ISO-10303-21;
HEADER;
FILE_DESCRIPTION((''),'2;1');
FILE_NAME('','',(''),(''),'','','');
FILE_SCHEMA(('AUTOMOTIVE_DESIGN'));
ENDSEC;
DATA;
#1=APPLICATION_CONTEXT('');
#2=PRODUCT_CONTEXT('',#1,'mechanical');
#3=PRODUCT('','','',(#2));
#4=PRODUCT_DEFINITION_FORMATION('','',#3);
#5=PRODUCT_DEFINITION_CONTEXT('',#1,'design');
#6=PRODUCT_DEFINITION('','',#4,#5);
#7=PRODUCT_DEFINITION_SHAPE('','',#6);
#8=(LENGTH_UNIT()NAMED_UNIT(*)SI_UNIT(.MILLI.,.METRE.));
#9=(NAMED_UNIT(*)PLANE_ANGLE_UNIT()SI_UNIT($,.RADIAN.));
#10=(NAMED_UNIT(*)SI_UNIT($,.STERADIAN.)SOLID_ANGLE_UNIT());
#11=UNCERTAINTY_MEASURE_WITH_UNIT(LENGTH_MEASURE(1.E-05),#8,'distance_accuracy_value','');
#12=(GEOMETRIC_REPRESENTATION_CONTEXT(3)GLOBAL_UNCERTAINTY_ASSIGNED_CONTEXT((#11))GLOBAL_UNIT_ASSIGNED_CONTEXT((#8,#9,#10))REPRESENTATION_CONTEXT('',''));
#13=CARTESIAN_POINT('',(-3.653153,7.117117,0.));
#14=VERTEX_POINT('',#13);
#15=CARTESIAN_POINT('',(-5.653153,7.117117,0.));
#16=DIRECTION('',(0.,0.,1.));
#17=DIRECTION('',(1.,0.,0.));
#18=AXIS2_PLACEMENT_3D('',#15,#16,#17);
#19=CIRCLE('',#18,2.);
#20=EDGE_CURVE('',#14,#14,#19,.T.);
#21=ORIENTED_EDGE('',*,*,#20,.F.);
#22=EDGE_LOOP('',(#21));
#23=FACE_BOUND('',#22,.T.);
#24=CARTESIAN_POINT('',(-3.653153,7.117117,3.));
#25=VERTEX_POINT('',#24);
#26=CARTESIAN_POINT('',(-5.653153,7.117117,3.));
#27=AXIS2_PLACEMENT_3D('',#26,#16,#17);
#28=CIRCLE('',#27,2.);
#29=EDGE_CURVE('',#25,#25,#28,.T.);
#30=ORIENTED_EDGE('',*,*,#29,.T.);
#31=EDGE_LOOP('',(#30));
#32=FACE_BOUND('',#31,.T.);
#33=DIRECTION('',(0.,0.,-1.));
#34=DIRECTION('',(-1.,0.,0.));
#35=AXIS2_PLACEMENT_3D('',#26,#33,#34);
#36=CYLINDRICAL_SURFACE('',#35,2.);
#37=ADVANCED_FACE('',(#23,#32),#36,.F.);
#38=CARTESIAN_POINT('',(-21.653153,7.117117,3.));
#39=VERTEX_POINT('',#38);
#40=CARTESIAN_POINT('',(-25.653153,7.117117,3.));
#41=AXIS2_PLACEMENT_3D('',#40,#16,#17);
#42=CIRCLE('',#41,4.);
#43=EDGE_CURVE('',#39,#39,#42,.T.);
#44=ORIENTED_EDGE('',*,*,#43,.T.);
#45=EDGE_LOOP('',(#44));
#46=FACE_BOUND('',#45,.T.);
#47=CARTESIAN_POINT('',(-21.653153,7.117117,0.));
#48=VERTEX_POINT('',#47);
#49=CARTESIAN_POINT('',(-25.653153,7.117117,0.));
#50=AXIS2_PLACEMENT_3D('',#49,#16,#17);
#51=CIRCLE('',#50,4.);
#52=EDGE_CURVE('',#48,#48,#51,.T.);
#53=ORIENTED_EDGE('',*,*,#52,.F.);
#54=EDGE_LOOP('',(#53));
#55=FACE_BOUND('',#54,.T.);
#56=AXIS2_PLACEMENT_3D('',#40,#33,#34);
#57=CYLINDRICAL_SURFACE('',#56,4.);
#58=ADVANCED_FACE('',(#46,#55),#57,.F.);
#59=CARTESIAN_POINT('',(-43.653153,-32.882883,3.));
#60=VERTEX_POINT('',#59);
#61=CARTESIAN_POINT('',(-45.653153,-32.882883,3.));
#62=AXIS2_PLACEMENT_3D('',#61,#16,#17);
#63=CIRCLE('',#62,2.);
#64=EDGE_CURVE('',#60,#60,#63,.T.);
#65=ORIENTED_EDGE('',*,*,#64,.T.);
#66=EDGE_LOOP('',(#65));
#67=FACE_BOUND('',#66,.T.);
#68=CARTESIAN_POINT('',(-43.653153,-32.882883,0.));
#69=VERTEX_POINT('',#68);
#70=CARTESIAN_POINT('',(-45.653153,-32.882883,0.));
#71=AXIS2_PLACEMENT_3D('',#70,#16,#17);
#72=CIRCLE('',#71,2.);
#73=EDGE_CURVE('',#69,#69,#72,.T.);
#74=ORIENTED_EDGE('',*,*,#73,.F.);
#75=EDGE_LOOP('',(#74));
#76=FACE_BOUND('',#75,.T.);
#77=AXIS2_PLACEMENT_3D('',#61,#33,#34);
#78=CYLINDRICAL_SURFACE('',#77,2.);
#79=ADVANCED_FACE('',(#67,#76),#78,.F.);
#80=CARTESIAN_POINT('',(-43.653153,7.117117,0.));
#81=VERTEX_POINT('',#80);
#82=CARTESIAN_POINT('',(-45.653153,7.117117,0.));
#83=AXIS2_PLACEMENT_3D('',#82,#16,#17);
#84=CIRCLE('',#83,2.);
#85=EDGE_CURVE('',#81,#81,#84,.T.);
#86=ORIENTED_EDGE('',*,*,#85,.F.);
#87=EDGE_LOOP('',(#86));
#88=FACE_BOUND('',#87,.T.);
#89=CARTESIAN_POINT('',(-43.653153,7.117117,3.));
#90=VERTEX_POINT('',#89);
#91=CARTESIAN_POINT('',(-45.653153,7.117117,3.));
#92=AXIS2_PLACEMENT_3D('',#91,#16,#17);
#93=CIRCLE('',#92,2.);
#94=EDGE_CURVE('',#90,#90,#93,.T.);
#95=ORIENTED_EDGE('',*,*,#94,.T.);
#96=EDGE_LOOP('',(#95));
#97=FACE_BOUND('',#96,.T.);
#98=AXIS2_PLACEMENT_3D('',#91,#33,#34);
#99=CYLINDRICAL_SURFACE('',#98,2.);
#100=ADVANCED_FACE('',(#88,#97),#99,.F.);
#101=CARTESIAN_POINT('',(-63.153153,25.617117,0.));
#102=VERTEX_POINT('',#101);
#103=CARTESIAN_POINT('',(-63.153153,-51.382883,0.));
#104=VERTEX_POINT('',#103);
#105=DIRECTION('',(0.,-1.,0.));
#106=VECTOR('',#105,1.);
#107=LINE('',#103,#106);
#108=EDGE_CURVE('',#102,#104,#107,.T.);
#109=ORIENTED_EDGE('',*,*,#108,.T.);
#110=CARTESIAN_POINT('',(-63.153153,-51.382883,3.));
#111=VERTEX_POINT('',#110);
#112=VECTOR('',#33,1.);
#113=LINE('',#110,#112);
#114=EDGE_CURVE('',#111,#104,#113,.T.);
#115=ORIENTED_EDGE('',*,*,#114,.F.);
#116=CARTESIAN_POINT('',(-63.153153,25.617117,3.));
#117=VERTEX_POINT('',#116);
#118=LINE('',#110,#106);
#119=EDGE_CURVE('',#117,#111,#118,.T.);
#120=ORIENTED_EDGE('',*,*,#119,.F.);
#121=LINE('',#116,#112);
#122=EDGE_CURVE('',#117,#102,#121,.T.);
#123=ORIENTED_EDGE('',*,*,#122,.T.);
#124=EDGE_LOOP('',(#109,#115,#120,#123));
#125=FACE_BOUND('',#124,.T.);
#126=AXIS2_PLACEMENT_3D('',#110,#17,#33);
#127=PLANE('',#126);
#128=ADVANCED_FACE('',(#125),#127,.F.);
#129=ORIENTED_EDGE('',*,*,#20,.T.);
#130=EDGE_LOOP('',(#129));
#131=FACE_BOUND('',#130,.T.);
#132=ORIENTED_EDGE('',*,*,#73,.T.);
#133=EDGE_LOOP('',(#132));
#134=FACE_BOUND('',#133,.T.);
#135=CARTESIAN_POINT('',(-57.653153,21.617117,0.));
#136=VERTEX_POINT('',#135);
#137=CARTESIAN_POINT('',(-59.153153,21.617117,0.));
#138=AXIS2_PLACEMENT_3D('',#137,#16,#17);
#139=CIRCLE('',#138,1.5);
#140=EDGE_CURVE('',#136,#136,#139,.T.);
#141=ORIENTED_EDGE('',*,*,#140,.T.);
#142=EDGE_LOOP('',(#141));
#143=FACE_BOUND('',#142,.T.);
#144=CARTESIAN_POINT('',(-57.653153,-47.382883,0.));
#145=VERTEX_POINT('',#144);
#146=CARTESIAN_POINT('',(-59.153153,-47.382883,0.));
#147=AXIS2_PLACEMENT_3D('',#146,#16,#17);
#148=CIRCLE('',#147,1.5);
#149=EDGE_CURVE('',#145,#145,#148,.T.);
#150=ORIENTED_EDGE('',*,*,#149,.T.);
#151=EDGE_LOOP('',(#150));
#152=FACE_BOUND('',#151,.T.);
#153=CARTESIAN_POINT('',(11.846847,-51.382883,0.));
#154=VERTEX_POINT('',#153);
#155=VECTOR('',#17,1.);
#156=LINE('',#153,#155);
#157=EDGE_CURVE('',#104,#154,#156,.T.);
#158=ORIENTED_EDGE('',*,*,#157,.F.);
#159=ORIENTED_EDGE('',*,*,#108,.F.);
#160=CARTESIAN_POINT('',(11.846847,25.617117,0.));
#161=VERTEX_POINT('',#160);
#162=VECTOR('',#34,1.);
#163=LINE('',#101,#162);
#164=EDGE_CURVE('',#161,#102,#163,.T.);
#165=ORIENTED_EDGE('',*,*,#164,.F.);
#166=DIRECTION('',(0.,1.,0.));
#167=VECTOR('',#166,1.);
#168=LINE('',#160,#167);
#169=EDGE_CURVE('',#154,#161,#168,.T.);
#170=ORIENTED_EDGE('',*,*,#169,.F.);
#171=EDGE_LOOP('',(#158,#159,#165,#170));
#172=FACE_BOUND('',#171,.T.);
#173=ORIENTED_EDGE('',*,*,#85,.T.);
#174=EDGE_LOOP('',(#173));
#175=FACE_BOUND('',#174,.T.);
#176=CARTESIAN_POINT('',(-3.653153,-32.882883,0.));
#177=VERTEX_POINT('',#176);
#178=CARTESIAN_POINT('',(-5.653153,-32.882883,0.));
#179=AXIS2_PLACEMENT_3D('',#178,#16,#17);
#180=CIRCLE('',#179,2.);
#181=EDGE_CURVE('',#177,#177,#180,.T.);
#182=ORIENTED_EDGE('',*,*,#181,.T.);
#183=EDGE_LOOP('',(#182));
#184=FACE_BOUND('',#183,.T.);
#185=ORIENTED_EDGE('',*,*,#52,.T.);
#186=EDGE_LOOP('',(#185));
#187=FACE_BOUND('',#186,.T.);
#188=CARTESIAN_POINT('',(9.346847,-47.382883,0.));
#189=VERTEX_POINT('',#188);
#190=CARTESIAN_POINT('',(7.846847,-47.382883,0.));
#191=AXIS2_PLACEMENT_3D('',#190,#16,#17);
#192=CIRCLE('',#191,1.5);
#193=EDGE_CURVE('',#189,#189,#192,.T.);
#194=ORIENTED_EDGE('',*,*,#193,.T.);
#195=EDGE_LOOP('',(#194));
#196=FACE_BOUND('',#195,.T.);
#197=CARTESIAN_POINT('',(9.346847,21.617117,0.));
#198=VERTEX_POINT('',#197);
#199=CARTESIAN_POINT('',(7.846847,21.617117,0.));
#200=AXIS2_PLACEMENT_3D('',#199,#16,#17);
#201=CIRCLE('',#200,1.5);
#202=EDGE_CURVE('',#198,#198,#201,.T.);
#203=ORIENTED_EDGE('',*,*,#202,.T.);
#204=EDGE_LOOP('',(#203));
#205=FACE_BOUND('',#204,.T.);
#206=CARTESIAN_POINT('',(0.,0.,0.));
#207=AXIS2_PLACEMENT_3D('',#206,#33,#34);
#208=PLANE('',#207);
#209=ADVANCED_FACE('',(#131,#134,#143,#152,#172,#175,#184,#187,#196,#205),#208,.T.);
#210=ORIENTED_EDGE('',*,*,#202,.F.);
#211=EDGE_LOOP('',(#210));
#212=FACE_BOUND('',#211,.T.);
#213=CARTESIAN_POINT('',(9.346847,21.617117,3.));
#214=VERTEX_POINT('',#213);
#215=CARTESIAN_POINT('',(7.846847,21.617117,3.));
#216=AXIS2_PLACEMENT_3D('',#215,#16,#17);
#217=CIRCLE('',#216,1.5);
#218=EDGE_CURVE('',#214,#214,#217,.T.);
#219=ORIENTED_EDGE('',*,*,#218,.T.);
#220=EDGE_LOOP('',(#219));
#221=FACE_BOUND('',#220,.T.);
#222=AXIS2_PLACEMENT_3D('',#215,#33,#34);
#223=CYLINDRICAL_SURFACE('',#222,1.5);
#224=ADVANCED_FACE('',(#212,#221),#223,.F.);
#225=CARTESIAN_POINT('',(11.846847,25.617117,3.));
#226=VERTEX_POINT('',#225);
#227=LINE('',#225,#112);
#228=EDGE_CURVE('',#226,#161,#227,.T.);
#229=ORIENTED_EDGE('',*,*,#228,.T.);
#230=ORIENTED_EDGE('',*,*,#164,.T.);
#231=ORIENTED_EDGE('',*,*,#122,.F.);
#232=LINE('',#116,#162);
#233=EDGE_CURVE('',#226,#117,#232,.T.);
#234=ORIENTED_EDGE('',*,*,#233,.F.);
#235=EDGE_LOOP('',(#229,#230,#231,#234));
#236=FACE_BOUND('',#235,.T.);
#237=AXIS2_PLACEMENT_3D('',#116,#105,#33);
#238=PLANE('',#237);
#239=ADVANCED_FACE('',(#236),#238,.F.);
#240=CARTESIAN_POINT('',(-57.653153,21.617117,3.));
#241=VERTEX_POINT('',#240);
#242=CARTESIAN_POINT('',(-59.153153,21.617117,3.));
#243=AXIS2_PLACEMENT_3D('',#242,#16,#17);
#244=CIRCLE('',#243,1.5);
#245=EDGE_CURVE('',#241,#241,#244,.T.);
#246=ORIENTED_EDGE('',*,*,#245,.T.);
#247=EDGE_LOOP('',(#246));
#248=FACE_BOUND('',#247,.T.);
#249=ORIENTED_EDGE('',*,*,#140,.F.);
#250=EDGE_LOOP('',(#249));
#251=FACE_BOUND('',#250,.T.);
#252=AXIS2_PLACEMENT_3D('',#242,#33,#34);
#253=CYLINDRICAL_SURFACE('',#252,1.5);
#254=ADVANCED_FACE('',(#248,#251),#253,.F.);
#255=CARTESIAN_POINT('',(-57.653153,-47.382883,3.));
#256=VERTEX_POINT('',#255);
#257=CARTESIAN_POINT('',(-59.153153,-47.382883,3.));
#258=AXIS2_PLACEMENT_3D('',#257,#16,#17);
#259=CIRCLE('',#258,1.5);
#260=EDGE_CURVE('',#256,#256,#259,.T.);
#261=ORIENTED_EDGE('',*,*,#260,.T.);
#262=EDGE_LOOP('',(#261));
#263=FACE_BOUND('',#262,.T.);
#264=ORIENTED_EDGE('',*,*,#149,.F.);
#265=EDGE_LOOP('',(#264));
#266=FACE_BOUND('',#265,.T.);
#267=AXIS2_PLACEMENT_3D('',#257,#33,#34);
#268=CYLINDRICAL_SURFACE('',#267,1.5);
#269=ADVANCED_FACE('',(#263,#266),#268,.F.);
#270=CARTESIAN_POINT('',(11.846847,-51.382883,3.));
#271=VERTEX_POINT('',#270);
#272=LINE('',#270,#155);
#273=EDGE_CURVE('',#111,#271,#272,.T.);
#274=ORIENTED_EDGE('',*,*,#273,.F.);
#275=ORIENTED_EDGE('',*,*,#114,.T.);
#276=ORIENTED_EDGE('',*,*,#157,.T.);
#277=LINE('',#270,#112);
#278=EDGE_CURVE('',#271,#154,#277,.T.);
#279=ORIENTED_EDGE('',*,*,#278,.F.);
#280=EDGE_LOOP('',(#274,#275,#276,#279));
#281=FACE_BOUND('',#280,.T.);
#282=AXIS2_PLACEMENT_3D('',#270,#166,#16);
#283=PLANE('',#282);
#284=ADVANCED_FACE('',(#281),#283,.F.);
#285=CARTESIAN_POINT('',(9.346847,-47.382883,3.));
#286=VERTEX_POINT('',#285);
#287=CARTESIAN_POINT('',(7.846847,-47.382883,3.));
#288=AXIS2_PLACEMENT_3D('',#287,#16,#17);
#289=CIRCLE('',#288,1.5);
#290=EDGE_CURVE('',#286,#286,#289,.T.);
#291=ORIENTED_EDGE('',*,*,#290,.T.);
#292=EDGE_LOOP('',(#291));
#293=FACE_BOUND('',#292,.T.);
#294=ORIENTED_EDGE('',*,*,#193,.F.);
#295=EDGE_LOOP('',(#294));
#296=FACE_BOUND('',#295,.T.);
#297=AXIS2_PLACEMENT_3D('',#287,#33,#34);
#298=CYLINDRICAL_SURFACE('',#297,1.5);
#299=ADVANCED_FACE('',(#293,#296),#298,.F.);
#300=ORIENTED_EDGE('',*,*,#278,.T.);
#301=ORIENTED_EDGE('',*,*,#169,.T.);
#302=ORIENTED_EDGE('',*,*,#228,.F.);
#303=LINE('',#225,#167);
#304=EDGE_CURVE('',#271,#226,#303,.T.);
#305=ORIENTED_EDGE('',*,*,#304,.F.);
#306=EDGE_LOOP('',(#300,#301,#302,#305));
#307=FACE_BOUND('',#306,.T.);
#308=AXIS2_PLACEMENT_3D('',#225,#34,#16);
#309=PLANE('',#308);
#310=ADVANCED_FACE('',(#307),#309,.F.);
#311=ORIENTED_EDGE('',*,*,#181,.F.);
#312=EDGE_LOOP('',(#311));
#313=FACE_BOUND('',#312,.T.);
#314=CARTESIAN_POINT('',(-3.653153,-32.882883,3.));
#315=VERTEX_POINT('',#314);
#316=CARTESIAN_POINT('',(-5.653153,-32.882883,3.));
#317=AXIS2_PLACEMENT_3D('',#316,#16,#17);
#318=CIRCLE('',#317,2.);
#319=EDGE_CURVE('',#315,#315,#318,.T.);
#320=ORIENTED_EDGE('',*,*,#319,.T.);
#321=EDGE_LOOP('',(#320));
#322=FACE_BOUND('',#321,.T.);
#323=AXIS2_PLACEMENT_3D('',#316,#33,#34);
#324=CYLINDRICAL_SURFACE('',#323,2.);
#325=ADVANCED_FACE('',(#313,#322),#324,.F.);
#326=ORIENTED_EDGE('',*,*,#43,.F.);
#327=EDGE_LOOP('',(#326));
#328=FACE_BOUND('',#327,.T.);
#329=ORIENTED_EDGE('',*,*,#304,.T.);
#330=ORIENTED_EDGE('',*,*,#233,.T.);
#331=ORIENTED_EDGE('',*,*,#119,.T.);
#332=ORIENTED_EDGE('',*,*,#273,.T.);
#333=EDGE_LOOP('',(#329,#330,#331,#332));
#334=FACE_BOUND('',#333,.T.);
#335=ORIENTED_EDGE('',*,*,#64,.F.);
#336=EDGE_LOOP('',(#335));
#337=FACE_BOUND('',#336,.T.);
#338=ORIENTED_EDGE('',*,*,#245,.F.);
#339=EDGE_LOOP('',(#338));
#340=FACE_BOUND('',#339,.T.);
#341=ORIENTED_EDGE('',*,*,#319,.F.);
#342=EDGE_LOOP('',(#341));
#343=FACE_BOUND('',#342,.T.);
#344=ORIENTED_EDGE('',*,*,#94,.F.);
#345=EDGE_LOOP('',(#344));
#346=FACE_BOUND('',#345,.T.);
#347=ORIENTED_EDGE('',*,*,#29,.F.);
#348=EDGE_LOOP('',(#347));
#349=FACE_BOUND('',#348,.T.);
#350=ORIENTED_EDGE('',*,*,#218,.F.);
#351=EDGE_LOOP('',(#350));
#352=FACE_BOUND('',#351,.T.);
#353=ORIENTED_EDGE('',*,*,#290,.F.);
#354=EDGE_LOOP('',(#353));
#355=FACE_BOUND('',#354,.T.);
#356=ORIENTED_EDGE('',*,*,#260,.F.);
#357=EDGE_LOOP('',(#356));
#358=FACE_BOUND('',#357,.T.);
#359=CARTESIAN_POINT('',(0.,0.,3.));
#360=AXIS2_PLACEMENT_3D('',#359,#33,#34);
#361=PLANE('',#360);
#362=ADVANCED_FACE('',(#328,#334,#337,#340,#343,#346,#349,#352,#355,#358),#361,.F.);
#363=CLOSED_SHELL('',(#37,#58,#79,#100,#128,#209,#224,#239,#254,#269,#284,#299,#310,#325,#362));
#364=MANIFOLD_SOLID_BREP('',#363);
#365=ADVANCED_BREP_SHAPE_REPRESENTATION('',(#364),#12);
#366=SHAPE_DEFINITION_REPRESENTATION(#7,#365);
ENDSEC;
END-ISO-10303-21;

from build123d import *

# Parameters (mm, degrees)
SKETCH_1_W      = 75
SKETCH_1_H      = 77
SKETCH_1_R      = 1.5
SKETCH_1_R_2    = 2
SKETCH_1_R_3    = 4
EXTRUDE_1_DEPTH = 3


with BuildPart() as part:
    # 草图1 → 凸台-拉伸1 (new body)
    with BuildSketch(Plane.XY):
        with Locations((-25.653153153, -12.882882883)):
            Rectangle(SKETCH_1_W, SKETCH_1_H)
        with Locations((-59.153153153, 21.617117117)):
            Circle(SKETCH_1_R, mode=Mode.SUBTRACT)
        with Locations((7.846846847, 21.617117117)):
            Circle(SKETCH_1_R, mode=Mode.SUBTRACT)
        with Locations((-59.153153153, -47.382882883)):
            Circle(SKETCH_1_R, mode=Mode.SUBTRACT)
        with Locations((7.846846847, -47.382882883)):
            Circle(SKETCH_1_R, mode=Mode.SUBTRACT)
        with Locations((-5.653153153, -32.882882883)):
            Circle(SKETCH_1_R_2, mode=Mode.SUBTRACT)
        with Locations((-45.653153153, -32.882882883)):
            Circle(SKETCH_1_R_2, mode=Mode.SUBTRACT)
        with Locations((-45.653153153, 7.117117117)):
            Circle(SKETCH_1_R_2, mode=Mode.SUBTRACT)
        with Locations((-5.653153153, 7.117117117)):
            Circle(SKETCH_1_R_2, mode=Mode.SUBTRACT)
        with Locations((-25.653153153, 7.117117117)):
            Circle(SKETCH_1_R_3, mode=Mode.SUBTRACT)
    extrude(amount=EXTRUDE_1_DEPTH)


solid = part.part
